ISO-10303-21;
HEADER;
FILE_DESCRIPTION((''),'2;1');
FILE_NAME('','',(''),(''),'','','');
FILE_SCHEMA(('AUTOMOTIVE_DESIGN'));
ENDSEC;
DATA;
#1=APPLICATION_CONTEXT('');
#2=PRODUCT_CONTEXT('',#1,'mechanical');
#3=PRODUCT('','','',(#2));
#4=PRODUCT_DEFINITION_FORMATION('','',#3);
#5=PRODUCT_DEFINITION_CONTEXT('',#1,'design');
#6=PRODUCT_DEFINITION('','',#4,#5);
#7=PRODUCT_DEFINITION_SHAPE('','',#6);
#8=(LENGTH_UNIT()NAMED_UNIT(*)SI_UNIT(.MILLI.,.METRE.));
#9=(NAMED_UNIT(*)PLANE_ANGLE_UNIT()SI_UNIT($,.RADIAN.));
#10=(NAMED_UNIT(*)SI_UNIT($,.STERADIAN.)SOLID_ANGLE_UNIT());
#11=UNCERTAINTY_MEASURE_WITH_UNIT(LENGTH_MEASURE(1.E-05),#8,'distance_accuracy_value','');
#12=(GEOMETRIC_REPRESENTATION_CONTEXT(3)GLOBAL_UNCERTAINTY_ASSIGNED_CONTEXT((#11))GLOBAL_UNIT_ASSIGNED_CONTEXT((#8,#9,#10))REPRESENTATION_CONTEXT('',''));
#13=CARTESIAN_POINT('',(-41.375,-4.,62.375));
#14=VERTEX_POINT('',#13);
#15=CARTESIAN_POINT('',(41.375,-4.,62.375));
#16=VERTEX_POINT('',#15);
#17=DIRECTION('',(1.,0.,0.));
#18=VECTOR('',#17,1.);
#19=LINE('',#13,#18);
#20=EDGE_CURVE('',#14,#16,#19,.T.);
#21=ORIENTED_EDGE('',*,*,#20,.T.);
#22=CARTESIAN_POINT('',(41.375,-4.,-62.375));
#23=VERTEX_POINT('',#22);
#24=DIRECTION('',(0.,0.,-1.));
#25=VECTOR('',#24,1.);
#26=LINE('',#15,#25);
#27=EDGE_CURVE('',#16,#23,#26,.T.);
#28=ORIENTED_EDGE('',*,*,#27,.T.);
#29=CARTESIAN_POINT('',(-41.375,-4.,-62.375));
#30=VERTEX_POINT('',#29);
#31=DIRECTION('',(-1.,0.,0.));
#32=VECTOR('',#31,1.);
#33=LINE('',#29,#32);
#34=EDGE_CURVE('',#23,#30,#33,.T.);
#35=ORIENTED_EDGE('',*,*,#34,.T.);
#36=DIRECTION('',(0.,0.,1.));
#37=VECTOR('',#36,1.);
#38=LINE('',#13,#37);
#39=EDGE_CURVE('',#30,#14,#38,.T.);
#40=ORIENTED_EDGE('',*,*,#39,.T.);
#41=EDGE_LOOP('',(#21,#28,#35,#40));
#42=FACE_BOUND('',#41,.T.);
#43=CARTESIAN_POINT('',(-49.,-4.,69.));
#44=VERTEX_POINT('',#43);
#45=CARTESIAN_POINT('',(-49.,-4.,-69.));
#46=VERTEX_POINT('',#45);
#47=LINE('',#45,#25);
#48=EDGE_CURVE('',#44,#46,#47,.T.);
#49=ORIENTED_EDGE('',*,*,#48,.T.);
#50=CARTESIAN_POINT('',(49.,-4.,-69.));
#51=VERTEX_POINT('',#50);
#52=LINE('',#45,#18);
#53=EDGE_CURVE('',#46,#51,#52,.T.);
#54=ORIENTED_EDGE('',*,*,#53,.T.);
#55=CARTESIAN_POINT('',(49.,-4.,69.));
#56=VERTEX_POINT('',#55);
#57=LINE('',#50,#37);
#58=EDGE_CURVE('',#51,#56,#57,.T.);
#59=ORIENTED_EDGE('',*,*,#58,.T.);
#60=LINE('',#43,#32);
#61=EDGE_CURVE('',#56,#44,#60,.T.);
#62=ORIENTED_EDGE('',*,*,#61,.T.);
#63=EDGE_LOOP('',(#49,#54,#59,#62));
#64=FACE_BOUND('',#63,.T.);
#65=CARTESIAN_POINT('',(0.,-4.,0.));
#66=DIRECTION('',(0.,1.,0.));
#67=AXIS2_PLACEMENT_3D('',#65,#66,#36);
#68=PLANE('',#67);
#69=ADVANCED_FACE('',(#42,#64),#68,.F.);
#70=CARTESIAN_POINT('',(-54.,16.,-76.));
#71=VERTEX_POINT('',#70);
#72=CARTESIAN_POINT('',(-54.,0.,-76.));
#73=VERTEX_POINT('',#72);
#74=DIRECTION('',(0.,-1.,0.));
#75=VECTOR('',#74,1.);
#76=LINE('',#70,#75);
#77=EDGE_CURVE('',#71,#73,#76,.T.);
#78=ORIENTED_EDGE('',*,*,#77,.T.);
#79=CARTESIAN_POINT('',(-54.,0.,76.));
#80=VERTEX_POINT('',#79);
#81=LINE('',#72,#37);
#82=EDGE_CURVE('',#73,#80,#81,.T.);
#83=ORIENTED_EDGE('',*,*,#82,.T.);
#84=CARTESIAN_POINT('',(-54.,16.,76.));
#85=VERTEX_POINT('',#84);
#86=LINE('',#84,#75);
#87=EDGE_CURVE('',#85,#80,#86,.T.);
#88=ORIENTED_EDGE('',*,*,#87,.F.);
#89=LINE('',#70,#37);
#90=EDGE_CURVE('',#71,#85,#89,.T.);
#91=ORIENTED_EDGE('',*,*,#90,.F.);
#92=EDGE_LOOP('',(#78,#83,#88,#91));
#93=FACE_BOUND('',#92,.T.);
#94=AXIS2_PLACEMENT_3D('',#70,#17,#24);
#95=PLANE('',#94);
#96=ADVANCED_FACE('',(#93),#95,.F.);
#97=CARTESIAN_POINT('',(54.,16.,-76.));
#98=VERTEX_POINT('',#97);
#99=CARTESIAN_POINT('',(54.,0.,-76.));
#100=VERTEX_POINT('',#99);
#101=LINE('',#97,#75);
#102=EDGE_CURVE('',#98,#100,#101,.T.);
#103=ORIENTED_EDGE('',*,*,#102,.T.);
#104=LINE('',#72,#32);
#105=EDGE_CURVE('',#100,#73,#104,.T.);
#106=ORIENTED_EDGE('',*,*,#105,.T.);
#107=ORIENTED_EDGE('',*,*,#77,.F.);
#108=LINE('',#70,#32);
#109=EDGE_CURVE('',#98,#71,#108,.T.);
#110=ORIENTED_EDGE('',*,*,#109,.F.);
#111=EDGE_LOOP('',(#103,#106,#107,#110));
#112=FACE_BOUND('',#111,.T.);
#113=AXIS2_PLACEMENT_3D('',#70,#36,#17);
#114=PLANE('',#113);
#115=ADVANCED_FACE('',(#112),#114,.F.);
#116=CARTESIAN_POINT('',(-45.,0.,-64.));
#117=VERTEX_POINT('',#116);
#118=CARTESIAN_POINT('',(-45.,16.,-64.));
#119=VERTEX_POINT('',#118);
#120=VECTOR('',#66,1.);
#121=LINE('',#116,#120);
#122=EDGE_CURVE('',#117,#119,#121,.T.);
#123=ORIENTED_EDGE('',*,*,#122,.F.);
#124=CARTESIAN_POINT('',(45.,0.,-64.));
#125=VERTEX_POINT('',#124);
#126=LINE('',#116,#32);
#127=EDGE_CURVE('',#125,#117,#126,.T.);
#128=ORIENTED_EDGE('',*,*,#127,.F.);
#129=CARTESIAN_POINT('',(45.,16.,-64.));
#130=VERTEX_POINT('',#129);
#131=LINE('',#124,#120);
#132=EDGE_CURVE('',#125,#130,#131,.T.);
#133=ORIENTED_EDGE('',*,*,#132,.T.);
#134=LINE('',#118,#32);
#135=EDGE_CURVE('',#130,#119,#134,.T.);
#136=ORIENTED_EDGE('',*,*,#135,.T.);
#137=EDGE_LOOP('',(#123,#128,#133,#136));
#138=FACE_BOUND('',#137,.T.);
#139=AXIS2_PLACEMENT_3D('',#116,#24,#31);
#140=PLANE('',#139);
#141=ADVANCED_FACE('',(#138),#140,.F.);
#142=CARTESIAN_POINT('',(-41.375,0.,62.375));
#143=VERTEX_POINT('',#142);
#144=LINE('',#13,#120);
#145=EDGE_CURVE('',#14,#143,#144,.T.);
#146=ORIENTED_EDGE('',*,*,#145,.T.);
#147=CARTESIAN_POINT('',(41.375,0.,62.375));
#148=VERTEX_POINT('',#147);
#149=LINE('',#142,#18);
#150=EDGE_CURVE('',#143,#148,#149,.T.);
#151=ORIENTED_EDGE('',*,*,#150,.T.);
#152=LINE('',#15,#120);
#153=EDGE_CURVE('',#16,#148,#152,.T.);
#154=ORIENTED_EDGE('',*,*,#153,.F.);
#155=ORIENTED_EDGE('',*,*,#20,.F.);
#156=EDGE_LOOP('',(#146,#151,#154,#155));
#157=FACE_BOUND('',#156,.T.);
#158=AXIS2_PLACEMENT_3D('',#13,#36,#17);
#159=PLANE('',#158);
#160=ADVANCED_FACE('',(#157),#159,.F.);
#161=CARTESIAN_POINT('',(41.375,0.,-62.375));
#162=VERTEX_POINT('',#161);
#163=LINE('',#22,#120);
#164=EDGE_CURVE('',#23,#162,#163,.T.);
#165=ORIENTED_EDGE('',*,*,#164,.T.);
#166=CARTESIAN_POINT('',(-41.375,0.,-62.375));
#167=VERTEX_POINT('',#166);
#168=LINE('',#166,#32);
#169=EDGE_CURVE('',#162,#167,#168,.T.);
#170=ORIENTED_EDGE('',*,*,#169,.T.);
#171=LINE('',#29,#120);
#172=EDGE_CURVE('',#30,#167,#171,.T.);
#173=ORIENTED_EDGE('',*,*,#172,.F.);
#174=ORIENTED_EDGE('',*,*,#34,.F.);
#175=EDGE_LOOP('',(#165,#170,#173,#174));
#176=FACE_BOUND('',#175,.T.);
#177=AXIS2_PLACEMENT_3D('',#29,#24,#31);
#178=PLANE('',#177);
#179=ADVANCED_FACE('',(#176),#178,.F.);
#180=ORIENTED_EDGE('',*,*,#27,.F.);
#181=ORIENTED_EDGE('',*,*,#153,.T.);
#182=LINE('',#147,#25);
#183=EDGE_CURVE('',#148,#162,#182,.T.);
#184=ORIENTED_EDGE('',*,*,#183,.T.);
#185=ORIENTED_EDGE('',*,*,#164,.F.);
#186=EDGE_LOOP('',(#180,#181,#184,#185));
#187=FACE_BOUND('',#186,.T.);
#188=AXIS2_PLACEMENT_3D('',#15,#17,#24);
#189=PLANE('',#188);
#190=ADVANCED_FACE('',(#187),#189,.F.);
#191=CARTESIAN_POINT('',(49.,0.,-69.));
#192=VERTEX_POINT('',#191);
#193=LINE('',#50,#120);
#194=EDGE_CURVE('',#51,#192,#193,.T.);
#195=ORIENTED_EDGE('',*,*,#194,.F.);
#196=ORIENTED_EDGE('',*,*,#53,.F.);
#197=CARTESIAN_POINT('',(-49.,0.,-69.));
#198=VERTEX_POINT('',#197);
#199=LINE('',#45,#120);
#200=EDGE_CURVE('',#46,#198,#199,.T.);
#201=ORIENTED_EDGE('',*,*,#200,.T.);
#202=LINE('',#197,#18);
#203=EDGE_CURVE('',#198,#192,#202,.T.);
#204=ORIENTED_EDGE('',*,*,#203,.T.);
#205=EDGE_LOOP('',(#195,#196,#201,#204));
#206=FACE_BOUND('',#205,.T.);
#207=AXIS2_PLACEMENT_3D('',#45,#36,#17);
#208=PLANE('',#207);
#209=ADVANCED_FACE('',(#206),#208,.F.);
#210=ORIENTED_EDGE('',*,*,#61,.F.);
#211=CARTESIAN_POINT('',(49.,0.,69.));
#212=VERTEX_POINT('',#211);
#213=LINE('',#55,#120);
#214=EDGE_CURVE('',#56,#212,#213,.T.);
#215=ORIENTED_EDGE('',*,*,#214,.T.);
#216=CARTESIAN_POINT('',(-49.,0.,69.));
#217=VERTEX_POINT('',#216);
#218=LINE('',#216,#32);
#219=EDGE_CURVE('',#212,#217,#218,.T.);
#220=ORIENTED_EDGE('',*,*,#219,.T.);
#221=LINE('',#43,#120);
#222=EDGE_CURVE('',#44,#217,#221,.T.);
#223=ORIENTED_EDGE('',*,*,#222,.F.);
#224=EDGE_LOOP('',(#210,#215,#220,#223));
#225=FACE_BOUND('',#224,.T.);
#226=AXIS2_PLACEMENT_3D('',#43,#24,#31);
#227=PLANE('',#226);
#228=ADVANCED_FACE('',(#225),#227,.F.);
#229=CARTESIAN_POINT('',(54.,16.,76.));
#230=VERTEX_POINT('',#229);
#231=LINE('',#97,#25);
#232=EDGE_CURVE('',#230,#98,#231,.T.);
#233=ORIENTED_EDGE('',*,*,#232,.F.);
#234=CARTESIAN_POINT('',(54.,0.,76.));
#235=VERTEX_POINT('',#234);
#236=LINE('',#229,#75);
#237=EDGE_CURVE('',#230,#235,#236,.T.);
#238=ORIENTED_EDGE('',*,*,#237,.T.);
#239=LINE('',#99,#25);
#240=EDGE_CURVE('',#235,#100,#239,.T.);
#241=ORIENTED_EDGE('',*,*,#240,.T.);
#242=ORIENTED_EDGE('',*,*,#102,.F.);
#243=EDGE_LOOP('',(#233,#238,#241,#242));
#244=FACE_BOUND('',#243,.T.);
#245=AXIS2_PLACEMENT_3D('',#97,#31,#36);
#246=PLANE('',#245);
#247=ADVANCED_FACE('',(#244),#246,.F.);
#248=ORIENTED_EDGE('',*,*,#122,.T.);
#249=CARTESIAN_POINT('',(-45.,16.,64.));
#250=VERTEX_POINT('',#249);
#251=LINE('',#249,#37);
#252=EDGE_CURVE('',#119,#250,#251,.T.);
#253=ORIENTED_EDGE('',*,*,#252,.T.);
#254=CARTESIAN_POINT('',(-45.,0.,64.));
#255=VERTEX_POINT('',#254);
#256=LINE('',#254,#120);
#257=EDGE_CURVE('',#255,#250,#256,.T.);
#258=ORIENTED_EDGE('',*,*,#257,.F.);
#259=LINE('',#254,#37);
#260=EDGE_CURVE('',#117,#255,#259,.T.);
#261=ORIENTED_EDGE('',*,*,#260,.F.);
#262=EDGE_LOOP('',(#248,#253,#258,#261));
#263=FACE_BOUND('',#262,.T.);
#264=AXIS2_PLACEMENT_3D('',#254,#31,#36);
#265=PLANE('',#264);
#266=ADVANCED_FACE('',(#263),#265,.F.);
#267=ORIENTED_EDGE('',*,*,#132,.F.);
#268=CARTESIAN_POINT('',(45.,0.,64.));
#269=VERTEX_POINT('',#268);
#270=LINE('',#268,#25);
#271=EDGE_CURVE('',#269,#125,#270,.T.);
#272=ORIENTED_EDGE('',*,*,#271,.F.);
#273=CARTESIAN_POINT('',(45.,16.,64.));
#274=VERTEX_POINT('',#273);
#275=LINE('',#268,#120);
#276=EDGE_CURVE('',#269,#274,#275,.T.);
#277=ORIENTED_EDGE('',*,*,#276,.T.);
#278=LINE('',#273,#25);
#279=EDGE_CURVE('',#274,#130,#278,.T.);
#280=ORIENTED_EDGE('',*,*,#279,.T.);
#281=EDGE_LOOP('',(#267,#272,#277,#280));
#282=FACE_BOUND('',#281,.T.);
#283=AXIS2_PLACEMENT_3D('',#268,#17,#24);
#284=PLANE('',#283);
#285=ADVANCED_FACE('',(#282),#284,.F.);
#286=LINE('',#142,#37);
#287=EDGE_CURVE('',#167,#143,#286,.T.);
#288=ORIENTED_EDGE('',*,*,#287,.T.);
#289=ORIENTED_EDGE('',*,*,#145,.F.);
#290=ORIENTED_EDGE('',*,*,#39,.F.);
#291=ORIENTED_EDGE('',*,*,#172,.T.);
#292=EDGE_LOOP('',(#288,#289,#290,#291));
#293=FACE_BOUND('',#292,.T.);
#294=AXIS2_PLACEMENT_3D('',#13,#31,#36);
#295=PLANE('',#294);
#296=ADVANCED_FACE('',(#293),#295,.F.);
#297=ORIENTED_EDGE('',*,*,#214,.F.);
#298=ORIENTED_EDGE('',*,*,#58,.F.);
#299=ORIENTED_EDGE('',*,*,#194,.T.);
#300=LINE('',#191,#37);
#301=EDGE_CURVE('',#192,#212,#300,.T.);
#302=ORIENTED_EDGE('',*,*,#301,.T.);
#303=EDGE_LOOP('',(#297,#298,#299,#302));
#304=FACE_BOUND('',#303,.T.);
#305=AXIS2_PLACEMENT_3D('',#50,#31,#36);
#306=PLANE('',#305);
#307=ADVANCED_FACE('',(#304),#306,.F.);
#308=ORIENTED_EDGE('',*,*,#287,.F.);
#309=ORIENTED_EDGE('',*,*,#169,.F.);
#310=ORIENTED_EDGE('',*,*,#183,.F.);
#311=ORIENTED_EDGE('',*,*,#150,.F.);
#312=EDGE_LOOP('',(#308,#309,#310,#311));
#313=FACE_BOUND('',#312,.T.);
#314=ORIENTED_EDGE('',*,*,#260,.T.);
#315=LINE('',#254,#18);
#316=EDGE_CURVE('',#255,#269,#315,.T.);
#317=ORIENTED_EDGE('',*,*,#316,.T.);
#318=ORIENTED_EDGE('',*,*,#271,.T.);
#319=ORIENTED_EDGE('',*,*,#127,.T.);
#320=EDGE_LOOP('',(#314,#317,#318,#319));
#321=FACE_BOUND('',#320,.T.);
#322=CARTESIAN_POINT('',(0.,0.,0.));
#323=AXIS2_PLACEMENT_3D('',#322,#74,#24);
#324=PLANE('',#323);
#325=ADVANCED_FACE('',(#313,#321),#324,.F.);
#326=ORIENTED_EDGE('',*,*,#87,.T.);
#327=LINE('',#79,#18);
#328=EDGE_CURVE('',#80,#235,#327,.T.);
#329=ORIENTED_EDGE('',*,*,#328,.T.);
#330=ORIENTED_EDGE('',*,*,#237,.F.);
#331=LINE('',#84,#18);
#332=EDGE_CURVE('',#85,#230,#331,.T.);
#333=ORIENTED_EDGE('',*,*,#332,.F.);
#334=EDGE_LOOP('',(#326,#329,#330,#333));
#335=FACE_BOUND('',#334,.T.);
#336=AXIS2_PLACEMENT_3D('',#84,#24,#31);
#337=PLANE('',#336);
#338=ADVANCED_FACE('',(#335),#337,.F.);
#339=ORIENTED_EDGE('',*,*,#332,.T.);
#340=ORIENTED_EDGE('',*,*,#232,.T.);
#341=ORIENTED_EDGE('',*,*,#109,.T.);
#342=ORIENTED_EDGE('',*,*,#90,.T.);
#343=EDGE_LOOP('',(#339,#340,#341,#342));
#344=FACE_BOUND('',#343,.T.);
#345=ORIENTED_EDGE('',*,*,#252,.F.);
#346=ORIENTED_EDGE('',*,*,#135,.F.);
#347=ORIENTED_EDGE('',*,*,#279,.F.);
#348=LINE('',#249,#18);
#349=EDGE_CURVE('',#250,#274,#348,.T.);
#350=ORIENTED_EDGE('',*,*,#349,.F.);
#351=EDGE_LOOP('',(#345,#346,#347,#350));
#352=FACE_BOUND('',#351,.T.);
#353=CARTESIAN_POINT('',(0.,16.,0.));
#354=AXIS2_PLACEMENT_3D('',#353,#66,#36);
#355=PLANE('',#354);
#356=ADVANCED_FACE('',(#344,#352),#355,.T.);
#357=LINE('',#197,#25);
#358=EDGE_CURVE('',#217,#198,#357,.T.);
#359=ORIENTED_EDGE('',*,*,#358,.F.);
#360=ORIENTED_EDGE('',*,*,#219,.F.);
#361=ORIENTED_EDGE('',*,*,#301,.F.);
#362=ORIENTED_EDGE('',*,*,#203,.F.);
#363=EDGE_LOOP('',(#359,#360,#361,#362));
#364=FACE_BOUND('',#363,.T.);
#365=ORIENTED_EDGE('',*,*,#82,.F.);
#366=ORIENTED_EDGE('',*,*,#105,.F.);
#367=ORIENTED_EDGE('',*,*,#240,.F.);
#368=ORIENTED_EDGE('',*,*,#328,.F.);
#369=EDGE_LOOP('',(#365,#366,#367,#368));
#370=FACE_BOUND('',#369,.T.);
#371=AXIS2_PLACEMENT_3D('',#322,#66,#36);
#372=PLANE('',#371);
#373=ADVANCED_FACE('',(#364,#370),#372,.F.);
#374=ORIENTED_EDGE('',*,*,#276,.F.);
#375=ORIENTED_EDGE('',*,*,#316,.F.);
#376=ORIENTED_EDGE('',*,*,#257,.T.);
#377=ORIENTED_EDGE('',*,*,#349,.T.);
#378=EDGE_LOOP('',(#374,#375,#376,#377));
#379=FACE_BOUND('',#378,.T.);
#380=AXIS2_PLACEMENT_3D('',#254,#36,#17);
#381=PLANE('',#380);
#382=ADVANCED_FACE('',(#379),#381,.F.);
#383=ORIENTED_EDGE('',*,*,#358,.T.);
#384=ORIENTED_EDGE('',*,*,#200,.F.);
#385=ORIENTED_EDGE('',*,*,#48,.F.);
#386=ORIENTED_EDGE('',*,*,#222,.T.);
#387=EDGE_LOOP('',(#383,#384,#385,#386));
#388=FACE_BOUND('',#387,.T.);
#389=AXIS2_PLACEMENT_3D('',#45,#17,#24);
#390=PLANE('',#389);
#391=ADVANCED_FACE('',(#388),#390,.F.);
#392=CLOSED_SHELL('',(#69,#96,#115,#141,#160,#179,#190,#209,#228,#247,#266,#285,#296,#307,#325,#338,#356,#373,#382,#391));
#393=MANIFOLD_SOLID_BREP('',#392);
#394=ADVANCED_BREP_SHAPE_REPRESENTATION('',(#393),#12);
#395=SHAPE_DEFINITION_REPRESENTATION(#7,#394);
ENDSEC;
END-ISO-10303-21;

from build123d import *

# Parameters (mm, degrees)
SKETCH3_W           = 108
SKETCH3_H           = 152
BOSS_EXTRUDE1_DEPTH = 16
SKETCH7_W           = 98
SKETCH7_H           = 138
BOSS_EXTRUDE2_DEPTH = 4
SKETCH5_W           = 82.75
SKETCH5_H           = 124.75
CUT_EXTRUDE1_DEPTH  = 96.351979528
SKETCH6_W           = 90
SKETCH6_H           = 128
CUT_EXTRUDE2_DEPTH  = 16


with BuildPart() as part:
    # Sketch3 → Boss-Extrude1 (new body)
    with BuildSketch(Plane(origin=(0, 0, 0), x_dir=(1, 0, 0), z_dir=(0, 1, 0))):
        Rectangle(SKETCH3_W, SKETCH3_H)
    extrude(amount=BOSS_EXTRUDE1_DEPTH)

    # Sketch7 → Boss-Extrude2 (add)
    with BuildSketch(Plane.XZ):
        Rectangle(SKETCH7_W, SKETCH7_H)
    extrude(amount=BOSS_EXTRUDE2_DEPTH)

    # Sketch5 → Cut-Extrude1 (cut, through all)
    with BuildSketch(Plane(origin=(0, 16, 0), x_dir=(1, 0, 0), z_dir=(0, 1, 0))):
        Rectangle(SKETCH5_W, SKETCH5_H)
    extrude(amount=-CUT_EXTRUDE1_DEPTH, mode=Mode.SUBTRACT)

    # Sketch6 → Cut-Extrude2 (cut)
    with BuildSketch(Plane(origin=(0, 16, 0), x_dir=(1, 0, 0), z_dir=(0, 1, 0))):
        Rectangle(SKETCH6_W, SKETCH6_H)
    extrude(amount=-CUT_EXTRUDE2_DEPTH, mode=Mode.SUBTRACT)


solid = part.part
